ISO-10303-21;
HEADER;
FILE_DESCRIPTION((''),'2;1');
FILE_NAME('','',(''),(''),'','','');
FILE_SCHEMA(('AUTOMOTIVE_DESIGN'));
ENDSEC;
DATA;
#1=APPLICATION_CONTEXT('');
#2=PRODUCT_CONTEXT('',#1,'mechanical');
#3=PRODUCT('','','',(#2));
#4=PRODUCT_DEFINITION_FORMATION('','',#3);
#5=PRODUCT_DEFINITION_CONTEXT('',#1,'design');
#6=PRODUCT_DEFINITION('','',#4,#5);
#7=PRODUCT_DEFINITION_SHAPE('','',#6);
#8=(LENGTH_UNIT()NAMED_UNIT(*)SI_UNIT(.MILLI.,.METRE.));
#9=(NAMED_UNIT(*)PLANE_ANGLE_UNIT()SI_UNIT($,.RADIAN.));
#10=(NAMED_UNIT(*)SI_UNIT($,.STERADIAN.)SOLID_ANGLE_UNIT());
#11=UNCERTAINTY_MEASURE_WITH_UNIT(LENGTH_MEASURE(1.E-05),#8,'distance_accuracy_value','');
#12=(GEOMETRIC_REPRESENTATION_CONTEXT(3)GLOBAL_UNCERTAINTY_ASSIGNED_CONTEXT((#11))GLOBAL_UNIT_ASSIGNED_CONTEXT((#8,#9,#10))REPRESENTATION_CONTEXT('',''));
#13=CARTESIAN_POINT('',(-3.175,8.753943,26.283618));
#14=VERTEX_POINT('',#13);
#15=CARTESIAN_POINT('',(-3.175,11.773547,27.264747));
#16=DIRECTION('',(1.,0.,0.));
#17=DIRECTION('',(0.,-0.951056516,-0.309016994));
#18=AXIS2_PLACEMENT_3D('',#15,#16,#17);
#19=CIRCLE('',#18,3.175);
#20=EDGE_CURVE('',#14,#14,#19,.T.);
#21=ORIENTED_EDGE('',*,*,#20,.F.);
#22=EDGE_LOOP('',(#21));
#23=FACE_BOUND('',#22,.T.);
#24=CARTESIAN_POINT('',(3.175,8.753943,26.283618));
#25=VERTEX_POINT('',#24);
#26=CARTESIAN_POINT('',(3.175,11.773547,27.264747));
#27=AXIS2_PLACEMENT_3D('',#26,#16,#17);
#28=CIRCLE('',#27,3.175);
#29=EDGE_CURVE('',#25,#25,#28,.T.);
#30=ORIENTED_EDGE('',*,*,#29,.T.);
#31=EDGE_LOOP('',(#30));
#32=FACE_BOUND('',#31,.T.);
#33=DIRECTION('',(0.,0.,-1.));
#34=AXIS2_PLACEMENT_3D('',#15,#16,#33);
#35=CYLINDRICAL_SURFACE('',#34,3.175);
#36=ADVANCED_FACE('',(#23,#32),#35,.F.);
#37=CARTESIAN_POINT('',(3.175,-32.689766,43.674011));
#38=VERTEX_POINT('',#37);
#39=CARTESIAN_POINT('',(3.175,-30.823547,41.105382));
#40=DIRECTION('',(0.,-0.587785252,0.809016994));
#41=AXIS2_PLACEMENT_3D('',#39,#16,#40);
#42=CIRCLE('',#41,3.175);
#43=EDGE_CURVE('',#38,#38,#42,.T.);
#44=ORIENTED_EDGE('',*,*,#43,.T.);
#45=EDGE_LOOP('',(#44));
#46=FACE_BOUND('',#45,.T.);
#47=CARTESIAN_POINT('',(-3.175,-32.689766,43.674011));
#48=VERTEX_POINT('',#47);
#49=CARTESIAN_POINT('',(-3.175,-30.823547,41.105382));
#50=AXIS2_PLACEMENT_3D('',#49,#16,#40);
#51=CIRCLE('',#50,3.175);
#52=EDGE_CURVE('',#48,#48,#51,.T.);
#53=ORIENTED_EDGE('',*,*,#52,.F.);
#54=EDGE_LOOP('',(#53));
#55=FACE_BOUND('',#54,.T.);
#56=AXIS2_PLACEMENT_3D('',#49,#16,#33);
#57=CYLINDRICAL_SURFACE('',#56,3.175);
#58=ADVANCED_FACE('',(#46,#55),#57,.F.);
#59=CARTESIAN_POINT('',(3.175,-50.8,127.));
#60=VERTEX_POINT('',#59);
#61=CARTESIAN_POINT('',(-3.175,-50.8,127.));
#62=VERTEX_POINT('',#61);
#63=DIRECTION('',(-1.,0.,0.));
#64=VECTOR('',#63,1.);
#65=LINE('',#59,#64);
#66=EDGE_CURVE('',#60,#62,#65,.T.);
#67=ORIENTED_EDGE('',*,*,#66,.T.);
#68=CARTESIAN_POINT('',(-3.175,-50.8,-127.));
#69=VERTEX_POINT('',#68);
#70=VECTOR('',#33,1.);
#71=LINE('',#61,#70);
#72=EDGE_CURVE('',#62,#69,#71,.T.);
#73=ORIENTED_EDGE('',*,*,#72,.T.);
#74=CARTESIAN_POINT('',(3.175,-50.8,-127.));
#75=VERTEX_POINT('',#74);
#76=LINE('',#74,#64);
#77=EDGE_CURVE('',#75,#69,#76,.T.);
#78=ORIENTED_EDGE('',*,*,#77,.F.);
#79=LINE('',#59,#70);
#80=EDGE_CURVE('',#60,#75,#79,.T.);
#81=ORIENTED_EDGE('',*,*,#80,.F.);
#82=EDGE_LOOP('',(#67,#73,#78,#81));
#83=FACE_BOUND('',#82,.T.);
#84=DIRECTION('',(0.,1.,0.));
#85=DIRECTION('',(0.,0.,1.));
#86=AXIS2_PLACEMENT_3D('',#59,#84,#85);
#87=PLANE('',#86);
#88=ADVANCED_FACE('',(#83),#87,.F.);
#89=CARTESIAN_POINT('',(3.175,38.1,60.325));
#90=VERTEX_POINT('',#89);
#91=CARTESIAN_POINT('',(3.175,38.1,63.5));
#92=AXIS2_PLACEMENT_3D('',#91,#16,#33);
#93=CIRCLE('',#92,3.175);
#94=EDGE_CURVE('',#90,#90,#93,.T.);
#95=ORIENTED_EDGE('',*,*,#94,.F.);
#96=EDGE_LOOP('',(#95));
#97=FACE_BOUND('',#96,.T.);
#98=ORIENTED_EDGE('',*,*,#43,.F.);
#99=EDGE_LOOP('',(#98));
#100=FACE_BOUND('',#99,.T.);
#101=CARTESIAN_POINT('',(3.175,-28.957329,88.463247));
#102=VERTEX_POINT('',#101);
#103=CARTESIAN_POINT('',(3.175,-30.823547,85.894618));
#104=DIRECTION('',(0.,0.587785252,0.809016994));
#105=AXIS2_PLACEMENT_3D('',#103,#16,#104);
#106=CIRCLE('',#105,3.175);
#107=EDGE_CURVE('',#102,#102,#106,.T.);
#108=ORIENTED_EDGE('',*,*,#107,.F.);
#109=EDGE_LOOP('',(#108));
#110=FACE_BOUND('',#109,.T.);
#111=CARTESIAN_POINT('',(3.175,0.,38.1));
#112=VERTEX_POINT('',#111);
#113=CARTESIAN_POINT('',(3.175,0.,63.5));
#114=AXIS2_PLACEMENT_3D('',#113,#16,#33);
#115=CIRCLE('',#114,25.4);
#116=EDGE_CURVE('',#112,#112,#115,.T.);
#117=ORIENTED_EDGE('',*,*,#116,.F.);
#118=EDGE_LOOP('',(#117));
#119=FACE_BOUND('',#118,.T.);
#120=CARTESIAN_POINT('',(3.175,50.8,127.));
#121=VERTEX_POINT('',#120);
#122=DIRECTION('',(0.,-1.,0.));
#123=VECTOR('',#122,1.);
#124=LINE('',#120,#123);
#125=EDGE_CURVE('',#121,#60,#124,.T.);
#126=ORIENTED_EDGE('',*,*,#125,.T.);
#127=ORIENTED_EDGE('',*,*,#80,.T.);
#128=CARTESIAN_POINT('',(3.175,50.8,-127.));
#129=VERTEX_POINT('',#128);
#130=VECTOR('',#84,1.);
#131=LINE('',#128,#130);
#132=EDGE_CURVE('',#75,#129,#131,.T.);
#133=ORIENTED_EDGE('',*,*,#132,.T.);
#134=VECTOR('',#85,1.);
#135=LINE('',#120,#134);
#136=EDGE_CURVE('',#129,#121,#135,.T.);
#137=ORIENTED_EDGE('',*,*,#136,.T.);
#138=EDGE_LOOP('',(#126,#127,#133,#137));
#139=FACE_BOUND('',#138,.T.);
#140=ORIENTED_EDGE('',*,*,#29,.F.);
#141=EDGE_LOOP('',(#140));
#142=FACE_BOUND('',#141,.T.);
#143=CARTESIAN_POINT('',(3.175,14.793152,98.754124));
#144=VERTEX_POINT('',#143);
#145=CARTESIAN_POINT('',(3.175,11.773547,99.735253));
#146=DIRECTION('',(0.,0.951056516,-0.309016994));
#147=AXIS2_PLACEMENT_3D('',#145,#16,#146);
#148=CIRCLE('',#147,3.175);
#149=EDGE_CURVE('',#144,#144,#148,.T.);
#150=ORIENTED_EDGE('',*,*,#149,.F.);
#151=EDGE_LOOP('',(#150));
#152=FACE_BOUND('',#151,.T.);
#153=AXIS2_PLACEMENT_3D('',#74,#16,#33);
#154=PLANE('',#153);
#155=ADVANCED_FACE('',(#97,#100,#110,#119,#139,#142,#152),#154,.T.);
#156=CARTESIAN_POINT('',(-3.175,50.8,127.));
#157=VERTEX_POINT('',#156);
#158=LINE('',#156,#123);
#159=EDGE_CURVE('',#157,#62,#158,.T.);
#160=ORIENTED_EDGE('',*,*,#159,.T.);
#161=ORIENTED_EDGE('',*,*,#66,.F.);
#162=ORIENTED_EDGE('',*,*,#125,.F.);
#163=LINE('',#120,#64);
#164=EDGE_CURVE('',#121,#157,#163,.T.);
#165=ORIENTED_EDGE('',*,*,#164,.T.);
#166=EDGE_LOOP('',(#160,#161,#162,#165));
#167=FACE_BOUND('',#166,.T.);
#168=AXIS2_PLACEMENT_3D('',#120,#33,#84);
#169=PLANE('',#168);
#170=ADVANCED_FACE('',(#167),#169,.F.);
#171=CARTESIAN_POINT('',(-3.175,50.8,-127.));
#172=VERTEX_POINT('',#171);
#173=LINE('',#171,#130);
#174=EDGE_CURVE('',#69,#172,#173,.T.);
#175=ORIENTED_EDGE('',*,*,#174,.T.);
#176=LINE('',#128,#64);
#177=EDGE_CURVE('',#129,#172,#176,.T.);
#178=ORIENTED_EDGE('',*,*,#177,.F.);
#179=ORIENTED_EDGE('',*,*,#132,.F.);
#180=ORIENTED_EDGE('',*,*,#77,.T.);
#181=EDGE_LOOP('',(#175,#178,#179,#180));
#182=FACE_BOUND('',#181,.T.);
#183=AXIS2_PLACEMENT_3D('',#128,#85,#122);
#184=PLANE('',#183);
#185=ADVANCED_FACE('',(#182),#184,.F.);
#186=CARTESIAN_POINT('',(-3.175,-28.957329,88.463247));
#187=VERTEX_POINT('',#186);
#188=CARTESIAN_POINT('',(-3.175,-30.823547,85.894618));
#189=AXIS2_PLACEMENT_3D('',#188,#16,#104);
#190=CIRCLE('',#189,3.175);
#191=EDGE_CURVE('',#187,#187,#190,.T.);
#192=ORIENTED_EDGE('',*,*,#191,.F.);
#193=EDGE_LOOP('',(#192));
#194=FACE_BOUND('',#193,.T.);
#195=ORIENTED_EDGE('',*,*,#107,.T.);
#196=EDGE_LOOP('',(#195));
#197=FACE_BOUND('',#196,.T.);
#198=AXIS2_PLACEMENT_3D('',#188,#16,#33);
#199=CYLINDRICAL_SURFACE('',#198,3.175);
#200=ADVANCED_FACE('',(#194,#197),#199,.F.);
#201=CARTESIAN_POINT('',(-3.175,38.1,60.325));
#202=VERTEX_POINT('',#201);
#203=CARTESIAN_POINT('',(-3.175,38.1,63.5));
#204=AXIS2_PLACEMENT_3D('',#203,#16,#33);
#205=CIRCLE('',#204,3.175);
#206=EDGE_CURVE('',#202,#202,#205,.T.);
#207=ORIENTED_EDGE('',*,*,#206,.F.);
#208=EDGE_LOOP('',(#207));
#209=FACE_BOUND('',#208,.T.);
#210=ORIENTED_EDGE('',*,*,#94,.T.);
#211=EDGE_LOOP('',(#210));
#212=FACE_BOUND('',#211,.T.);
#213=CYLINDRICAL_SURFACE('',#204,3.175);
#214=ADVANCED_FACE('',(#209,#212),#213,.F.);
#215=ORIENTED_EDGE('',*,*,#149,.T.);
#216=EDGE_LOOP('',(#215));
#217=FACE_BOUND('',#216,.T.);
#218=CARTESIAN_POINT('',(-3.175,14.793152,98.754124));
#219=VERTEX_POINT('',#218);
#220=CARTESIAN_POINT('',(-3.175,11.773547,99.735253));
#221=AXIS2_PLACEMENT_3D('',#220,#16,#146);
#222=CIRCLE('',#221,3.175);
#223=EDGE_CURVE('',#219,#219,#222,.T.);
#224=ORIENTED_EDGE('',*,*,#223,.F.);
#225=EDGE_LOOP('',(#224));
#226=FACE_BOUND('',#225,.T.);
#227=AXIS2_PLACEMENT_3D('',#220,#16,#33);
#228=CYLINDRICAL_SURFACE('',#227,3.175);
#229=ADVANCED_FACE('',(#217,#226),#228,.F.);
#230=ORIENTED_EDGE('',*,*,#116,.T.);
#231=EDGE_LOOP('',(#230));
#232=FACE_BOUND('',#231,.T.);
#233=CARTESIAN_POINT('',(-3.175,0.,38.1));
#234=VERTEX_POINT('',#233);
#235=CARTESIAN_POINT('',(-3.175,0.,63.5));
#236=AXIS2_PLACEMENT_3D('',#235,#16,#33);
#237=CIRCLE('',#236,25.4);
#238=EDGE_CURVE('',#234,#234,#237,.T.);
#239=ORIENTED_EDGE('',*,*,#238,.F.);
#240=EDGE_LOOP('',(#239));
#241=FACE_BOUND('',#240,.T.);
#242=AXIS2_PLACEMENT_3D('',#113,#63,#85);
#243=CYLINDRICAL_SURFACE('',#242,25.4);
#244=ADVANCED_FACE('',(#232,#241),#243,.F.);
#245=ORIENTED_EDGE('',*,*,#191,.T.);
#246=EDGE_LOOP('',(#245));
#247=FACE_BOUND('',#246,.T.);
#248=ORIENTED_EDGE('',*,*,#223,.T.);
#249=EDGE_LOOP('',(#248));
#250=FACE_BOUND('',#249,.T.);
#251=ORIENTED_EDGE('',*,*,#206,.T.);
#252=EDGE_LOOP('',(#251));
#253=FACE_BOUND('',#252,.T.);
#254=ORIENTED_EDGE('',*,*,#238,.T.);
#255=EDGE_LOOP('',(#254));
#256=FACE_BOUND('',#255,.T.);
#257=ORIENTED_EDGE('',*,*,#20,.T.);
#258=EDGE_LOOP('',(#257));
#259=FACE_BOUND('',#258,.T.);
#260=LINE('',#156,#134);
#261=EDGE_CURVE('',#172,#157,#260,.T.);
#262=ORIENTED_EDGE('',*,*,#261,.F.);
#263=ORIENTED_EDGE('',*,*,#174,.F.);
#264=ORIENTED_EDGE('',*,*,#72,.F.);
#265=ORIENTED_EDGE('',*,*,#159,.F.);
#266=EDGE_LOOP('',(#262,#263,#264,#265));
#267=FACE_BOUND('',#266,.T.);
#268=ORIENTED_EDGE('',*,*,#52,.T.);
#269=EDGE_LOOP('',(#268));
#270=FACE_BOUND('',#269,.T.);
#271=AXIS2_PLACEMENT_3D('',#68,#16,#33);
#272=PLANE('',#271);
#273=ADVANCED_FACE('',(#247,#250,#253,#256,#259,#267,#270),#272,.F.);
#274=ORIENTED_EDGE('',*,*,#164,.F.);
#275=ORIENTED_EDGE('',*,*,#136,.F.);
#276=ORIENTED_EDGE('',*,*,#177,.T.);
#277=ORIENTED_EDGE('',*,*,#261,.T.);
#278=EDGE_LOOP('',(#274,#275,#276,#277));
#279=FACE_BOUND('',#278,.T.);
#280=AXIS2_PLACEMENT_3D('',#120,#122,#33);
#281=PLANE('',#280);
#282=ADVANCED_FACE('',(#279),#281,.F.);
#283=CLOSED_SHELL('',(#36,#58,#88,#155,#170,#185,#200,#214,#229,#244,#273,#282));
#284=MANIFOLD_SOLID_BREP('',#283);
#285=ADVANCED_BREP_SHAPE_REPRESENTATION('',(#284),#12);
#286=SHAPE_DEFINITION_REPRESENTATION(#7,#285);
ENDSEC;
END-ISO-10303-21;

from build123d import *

# Parameters (mm, degrees)
SKETCH1_W           = 254
SKETCH1_H           = 101.6
SKETCH1_R           = 25.4
BOSS_EXTRUDE1_DEPTH = 3.175
SKETCH2_R           = 3.175
CUT_EXTRUDE1_DEPTH  = 7.35
CIRPATTERN1_COUNT   = 5


with BuildPart() as part:
    # Sketch1 → Boss-Extrude1 (new body, symmetric)
    with BuildSketch(Plane(origin=(0, 0, 0), x_dir=(0, 0, -1), z_dir=(1, 0, 0))):
        Rectangle(SKETCH1_W, SKETCH1_H)
        with Locations((-63.5, 0)):
            Circle(SKETCH1_R, mode=Mode.SUBTRACT)
    extrude(amount=BOSS_EXTRUDE1_DEPTH, both=True)

    # Sketch2 → Cut-Extrude1 (cut, through all)
    with BuildSketch(Plane(origin=(3.175, 0, 0), x_dir=(0, 0, -1), z_dir=(1, 0, 0))):
        with Locations((-63.5, 38.1)):
            Circle(SKETCH2_R)
    cut_extrude1 = extrude(amount=-CUT_EXTRUDE1_DEPTH, mode=Mode.SUBTRACT)

    # CirPattern1: Cut-Extrude1 ×5 about axis
    cirpattern1_axis = Axis((0, 0, 63.5), (1, 0, 0))
    for i in range(1, CIRPATTERN1_COUNT):
        add(cut_extrude1.rotate(cirpattern1_axis, i * 360 / CIRPATTERN1_COUNT), mode=Mode.SUBTRACT)


solid = part.part
